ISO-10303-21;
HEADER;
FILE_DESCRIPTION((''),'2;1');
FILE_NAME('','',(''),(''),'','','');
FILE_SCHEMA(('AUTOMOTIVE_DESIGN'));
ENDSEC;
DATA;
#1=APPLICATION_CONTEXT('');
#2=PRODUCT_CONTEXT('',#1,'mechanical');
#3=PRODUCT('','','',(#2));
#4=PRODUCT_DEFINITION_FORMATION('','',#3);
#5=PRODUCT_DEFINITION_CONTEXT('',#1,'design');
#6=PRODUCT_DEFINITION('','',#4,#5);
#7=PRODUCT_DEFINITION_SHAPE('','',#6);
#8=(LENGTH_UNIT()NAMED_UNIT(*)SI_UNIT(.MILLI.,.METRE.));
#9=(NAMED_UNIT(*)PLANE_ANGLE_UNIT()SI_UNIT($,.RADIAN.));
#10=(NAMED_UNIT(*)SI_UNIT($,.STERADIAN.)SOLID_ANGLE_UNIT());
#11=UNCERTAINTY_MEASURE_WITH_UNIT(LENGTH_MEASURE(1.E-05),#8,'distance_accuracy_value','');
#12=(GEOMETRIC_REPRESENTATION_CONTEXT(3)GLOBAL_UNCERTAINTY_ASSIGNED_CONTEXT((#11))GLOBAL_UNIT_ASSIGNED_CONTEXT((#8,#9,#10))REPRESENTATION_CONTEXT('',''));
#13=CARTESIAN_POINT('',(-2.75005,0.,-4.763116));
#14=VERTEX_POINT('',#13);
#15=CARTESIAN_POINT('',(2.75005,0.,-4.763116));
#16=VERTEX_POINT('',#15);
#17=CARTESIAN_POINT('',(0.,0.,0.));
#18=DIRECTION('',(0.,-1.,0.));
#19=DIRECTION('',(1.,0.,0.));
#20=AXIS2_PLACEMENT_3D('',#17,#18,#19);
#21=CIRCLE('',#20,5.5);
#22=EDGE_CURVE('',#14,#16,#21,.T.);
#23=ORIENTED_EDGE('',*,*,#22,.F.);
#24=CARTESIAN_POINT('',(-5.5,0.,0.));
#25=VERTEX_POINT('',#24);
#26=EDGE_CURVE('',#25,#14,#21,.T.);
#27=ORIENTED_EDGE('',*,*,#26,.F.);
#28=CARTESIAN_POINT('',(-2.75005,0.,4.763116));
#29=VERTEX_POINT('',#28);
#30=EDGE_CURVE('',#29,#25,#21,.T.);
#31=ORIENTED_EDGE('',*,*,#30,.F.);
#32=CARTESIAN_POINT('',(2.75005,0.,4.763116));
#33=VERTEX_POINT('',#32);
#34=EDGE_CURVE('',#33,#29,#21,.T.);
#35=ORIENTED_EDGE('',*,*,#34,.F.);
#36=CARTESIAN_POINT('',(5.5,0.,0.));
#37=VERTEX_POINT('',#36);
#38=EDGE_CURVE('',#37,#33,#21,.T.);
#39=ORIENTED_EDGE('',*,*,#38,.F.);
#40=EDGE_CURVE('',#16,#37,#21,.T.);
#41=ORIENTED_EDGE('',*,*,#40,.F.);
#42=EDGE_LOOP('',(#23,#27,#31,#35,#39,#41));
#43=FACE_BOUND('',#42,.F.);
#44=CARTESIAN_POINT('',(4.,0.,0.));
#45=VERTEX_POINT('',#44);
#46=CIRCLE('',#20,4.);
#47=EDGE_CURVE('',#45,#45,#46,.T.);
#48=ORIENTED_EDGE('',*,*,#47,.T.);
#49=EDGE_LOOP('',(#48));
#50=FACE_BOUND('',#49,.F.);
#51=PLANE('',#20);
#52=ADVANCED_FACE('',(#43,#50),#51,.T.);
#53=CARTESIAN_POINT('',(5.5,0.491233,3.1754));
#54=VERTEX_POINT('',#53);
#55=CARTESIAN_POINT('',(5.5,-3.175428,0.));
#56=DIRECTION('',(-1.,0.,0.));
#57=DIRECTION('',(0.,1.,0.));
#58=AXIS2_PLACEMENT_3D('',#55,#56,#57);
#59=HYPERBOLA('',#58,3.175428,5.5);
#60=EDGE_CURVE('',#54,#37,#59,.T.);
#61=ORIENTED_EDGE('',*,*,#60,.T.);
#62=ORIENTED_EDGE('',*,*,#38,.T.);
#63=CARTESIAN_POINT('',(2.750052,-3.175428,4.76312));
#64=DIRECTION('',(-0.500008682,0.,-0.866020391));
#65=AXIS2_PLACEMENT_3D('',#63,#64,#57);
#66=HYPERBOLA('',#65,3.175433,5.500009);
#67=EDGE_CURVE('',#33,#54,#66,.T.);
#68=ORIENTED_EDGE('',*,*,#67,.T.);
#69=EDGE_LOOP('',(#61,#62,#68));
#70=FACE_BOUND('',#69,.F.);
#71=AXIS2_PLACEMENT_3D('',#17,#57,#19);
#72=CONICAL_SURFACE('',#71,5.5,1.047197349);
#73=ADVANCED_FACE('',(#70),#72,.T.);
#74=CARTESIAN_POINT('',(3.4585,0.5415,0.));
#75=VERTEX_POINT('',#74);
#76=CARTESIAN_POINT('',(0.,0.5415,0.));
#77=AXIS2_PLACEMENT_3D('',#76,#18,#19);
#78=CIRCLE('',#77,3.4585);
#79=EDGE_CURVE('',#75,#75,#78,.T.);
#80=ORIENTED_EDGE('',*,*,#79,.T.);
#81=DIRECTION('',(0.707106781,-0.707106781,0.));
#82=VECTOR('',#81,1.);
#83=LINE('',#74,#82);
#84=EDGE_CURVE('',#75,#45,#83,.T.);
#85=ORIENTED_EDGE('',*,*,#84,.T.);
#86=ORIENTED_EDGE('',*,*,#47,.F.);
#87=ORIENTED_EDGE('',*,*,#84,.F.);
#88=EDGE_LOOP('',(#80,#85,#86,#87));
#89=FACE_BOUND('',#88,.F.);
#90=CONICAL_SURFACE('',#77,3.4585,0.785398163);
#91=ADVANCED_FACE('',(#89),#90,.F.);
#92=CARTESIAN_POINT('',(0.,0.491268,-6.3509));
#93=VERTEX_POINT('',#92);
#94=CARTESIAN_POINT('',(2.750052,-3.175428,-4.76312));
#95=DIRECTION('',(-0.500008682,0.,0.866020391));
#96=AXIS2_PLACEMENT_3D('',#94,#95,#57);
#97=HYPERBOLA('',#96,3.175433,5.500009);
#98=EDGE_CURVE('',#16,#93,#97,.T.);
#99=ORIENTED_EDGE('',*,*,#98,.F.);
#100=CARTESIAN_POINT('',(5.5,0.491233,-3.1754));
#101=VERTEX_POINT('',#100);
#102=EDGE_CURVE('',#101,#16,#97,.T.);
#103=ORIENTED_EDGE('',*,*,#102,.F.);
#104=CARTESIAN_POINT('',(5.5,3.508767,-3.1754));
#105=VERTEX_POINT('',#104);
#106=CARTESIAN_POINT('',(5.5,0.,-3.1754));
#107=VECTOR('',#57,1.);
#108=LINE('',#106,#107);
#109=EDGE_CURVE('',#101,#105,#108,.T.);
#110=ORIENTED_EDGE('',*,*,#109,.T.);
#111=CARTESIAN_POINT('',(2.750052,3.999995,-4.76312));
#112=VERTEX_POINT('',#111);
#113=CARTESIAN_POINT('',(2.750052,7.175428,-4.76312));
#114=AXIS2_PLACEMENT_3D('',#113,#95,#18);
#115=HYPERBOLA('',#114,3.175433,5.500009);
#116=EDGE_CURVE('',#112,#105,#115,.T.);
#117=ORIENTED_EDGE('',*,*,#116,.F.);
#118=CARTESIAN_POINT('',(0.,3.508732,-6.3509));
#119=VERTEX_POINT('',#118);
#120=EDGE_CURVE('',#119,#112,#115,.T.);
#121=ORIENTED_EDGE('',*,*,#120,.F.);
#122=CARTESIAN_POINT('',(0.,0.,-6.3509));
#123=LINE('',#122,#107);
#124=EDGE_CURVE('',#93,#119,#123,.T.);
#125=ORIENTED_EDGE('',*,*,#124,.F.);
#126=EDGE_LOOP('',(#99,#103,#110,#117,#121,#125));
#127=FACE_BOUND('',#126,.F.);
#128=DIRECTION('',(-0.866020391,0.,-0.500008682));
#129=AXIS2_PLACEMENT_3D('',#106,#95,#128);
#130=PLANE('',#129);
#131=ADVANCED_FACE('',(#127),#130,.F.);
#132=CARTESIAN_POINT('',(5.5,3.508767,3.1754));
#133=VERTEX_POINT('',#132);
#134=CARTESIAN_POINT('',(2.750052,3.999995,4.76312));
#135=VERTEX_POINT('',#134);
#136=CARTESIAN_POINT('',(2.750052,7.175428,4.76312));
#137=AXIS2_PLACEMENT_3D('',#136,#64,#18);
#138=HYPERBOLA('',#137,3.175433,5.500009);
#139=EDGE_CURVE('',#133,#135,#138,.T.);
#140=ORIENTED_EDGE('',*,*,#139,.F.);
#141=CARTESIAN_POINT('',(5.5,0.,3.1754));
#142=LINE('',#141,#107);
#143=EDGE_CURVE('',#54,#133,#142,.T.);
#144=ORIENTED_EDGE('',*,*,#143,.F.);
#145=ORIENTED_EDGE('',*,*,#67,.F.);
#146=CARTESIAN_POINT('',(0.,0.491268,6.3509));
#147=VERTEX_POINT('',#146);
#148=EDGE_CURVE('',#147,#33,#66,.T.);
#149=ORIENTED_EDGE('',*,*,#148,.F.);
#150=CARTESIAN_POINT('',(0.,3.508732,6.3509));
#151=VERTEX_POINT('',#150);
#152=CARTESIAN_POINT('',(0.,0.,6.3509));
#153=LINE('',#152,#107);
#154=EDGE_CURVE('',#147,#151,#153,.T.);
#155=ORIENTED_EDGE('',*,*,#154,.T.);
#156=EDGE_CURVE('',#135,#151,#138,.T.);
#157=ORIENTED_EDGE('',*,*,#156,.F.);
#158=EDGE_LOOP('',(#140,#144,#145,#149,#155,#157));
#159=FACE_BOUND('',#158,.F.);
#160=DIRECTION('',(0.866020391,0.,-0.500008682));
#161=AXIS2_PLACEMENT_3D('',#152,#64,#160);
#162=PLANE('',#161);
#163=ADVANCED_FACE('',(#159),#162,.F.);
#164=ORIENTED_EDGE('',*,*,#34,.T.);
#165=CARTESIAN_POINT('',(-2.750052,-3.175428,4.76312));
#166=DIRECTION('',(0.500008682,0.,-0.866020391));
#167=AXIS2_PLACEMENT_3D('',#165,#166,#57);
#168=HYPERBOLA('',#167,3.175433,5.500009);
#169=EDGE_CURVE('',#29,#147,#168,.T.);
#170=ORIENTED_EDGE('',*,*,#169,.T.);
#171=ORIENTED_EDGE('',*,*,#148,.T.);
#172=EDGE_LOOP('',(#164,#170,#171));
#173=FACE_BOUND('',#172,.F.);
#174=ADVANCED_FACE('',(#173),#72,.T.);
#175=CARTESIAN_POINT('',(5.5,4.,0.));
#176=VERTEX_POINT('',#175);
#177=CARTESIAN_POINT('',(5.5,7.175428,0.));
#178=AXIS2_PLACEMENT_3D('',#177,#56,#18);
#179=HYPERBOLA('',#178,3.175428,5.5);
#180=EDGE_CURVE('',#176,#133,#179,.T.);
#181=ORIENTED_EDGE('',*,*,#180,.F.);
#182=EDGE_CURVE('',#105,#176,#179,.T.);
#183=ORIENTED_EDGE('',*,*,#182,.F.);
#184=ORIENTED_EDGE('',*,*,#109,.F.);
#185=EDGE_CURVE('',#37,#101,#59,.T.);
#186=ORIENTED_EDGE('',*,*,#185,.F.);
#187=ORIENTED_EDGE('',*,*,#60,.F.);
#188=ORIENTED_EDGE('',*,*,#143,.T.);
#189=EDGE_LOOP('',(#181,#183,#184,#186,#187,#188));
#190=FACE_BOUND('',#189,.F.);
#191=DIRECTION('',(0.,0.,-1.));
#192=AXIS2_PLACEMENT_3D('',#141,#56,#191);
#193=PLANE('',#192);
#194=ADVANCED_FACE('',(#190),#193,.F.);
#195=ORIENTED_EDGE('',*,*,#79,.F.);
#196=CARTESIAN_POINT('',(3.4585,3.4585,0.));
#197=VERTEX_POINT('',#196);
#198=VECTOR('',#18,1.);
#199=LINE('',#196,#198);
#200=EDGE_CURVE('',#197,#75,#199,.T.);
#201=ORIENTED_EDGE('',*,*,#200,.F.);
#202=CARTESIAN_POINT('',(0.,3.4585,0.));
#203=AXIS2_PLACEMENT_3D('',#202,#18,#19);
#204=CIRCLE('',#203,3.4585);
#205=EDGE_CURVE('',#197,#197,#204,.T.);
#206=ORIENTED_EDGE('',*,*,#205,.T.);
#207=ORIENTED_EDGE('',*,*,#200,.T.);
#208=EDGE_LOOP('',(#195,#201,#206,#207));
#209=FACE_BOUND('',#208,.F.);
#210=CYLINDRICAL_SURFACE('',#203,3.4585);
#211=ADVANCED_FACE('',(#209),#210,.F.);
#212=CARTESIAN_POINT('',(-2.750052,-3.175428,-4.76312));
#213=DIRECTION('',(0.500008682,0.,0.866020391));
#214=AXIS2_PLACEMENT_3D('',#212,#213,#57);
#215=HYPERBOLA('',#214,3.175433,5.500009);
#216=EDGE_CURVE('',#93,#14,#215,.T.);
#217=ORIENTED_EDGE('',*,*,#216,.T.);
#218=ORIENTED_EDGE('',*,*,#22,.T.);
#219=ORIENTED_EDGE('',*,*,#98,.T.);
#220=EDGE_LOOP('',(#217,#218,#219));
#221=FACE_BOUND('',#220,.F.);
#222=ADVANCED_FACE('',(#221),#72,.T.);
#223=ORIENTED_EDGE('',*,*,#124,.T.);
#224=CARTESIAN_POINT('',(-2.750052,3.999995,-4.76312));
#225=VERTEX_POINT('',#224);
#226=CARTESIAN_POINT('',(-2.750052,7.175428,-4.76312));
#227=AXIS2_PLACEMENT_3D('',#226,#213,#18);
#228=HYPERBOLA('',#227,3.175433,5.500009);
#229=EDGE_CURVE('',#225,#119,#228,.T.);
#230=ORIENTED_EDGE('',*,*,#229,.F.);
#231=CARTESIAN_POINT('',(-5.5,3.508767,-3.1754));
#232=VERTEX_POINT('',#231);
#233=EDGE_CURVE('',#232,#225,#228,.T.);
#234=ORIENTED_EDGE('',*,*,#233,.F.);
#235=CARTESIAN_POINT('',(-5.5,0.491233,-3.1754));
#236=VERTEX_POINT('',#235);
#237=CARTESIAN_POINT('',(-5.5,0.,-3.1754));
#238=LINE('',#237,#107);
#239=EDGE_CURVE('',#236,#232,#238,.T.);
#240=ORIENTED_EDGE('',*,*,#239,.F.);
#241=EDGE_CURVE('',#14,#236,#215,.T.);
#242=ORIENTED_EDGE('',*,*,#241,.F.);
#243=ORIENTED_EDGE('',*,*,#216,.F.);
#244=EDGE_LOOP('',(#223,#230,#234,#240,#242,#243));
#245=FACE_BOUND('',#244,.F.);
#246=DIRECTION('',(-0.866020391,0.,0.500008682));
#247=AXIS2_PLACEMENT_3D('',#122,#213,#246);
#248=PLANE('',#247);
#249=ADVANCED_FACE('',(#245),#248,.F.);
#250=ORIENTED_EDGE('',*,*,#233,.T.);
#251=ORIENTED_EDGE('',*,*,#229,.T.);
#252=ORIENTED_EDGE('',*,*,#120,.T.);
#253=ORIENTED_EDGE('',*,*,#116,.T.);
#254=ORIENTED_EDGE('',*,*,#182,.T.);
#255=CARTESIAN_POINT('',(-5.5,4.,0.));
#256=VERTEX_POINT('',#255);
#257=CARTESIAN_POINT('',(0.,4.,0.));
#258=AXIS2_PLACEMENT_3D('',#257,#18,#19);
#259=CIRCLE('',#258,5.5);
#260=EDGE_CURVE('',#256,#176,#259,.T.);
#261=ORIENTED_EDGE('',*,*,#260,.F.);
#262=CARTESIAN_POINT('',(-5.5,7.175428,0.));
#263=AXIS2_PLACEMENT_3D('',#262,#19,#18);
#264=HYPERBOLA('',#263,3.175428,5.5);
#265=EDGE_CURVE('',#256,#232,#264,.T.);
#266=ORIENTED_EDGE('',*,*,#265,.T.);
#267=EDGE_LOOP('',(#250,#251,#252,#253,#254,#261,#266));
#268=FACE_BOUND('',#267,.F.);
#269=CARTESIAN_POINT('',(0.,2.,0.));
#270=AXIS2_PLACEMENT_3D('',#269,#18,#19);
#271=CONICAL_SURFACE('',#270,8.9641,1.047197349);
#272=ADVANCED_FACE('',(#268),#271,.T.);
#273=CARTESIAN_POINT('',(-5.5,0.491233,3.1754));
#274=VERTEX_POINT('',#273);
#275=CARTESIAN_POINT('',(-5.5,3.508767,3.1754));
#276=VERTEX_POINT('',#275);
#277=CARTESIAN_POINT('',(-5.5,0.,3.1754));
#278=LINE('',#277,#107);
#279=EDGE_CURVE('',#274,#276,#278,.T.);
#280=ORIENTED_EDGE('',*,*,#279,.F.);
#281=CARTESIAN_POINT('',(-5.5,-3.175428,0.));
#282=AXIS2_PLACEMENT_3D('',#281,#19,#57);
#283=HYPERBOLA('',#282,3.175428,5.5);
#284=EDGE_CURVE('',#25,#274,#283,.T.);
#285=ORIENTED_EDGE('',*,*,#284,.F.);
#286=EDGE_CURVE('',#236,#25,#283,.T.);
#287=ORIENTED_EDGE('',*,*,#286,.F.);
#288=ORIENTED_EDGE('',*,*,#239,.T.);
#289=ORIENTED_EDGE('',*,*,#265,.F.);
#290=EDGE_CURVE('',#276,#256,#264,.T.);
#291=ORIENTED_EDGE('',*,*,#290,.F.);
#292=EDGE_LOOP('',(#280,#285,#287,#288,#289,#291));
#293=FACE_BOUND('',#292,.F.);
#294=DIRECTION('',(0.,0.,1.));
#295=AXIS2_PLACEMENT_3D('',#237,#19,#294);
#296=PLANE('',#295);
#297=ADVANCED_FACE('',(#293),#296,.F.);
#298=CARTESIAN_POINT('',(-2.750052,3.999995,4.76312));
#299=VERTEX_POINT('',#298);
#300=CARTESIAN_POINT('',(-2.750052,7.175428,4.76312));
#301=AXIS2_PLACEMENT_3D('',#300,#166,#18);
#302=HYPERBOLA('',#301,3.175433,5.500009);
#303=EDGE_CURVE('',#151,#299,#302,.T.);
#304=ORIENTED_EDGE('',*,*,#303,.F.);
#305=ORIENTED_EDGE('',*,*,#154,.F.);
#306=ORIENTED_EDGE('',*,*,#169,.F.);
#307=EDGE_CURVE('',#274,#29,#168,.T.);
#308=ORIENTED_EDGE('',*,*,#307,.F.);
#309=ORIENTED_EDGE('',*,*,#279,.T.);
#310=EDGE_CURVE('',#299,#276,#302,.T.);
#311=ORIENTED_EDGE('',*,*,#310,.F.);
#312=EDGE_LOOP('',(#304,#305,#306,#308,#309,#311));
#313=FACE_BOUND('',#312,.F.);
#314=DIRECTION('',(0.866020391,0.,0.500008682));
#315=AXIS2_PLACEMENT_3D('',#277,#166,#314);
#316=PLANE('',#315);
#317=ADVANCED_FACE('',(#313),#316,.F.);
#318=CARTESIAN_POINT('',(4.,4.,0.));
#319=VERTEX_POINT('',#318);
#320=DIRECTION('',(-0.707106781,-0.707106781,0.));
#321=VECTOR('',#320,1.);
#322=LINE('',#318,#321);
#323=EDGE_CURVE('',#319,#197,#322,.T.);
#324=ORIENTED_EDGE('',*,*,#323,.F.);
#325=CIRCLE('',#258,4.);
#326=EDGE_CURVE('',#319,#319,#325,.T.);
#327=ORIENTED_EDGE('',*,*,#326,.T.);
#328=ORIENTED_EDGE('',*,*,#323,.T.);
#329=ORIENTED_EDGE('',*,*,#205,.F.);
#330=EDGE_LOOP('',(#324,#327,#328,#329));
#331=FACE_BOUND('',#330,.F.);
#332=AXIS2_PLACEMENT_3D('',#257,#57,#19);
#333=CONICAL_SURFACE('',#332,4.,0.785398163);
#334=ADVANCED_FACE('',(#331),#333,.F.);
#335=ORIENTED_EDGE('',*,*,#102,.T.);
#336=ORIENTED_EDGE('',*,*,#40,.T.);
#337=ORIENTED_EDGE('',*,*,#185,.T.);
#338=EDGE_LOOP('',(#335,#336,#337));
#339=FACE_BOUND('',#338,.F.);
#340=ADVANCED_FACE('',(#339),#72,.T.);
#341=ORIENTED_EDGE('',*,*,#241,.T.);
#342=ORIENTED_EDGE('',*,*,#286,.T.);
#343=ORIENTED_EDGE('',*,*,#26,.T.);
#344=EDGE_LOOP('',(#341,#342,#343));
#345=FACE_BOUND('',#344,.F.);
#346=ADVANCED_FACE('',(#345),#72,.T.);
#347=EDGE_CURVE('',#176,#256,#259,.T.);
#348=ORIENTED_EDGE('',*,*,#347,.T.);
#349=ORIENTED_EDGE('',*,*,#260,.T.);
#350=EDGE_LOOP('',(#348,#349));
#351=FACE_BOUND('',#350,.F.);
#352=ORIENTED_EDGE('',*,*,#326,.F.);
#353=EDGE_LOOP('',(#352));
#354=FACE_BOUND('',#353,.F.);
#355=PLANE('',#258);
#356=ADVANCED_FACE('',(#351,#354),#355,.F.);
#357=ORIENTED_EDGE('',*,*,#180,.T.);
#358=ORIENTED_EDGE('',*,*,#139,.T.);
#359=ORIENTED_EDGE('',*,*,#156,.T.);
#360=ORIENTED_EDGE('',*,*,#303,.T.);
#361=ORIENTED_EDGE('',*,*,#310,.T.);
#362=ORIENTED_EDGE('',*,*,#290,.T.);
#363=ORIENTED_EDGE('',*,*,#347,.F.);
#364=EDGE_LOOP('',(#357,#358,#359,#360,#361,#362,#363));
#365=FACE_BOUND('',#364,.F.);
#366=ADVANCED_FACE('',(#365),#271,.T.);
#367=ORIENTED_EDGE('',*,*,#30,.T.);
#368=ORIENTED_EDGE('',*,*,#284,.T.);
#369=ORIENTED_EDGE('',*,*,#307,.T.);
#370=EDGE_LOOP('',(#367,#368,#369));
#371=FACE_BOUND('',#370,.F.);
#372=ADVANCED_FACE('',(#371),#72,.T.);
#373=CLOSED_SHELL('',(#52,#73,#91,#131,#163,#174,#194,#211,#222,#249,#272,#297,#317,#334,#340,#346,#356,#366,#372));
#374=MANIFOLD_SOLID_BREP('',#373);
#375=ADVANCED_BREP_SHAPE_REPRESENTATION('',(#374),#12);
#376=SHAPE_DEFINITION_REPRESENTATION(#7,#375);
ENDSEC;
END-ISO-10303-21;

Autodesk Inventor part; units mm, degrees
sketch "Sketch_1" plane through (0, 0, 0) normal (0, 0, 1) x (1, 0, 0)
  line L0 (0, 0) -> (0, 4)
  line L1 (3.4585, 3.4585) -> (3.4585, 0.5415)
  line L2 (3.4585, 0.5415) -> (4, 0)
  line L3 (4, 0) -> (5.5, 0)
  line L4 (5.5, 0) -> (8.9641, 2)
  line L5 (8.9641, 2) -> (5.5, 4)
  line L6 (5.5, 4) -> (4, 4)
  line L7 (4, 4) -> (3.4585, 3.4585)
revolve "Revolution1" add sketch "Sketch_1" angle 360 about axis through (0, 0, 0) along (0, -1, 0)
thread "Thread1" size "M8x1" class "6H" standard "ISO Metric profile" full length
sketch "Sketch_2" plane through (0, 0, 0) normal (0, 1, 0) x (1, 0, 0)
  line L0 (-50, -50) -> (50, -50)
  line L1 (50, -50) -> (50, 50)
  line L2 (50, 50) -> (-50, 50)
  line L3 (-50, 50) -> (-50, -50)
  line L4 (-5.5, -3.1754) -> (0, -6.3509)
  line L5 (0, -6.3509) -> (5.5, -3.1754)
  line L6 (5.5, -3.1754) -> (5.5, 3.1754)
  line L7 (5.5, 3.1754) -> (0, 6.3509)
  line L8 (0, 6.3509) -> (-5.5, 3.1754)
  line L9 (-5.5, 3.1754) -> (-5.5, -3.1754)
extrude "Extrusion1" cut sketch "Sketch_2" along normal blind 50
ref_plane "to_body1_XY" through (0, 0, 0) normal (0, 1, 0) x (1, 0, 0)
ref_plane "to_body1_YZ" through (0, 0, 0) normal (1, 0, 0) x (0, 0, -1)
ref_plane "to_body1_ZX" through (0, 0, 0) normal (0, 0, -1) x (0, 1, 0)
ref_plane "to_body2_XY" through (0, 0, 0) normal (0, 1, 0) x (1, 0, 0)
ref_plane "to_body2_YZ" through (0, 0, 0) normal (1, 0, 0) x (0, 0, -1)
ref_plane "to_body2_ZX" through (0, 0, 0) normal (0, 0, -1) x (0, 1, 0)
properties part number "C-AC0806-nut_n"
